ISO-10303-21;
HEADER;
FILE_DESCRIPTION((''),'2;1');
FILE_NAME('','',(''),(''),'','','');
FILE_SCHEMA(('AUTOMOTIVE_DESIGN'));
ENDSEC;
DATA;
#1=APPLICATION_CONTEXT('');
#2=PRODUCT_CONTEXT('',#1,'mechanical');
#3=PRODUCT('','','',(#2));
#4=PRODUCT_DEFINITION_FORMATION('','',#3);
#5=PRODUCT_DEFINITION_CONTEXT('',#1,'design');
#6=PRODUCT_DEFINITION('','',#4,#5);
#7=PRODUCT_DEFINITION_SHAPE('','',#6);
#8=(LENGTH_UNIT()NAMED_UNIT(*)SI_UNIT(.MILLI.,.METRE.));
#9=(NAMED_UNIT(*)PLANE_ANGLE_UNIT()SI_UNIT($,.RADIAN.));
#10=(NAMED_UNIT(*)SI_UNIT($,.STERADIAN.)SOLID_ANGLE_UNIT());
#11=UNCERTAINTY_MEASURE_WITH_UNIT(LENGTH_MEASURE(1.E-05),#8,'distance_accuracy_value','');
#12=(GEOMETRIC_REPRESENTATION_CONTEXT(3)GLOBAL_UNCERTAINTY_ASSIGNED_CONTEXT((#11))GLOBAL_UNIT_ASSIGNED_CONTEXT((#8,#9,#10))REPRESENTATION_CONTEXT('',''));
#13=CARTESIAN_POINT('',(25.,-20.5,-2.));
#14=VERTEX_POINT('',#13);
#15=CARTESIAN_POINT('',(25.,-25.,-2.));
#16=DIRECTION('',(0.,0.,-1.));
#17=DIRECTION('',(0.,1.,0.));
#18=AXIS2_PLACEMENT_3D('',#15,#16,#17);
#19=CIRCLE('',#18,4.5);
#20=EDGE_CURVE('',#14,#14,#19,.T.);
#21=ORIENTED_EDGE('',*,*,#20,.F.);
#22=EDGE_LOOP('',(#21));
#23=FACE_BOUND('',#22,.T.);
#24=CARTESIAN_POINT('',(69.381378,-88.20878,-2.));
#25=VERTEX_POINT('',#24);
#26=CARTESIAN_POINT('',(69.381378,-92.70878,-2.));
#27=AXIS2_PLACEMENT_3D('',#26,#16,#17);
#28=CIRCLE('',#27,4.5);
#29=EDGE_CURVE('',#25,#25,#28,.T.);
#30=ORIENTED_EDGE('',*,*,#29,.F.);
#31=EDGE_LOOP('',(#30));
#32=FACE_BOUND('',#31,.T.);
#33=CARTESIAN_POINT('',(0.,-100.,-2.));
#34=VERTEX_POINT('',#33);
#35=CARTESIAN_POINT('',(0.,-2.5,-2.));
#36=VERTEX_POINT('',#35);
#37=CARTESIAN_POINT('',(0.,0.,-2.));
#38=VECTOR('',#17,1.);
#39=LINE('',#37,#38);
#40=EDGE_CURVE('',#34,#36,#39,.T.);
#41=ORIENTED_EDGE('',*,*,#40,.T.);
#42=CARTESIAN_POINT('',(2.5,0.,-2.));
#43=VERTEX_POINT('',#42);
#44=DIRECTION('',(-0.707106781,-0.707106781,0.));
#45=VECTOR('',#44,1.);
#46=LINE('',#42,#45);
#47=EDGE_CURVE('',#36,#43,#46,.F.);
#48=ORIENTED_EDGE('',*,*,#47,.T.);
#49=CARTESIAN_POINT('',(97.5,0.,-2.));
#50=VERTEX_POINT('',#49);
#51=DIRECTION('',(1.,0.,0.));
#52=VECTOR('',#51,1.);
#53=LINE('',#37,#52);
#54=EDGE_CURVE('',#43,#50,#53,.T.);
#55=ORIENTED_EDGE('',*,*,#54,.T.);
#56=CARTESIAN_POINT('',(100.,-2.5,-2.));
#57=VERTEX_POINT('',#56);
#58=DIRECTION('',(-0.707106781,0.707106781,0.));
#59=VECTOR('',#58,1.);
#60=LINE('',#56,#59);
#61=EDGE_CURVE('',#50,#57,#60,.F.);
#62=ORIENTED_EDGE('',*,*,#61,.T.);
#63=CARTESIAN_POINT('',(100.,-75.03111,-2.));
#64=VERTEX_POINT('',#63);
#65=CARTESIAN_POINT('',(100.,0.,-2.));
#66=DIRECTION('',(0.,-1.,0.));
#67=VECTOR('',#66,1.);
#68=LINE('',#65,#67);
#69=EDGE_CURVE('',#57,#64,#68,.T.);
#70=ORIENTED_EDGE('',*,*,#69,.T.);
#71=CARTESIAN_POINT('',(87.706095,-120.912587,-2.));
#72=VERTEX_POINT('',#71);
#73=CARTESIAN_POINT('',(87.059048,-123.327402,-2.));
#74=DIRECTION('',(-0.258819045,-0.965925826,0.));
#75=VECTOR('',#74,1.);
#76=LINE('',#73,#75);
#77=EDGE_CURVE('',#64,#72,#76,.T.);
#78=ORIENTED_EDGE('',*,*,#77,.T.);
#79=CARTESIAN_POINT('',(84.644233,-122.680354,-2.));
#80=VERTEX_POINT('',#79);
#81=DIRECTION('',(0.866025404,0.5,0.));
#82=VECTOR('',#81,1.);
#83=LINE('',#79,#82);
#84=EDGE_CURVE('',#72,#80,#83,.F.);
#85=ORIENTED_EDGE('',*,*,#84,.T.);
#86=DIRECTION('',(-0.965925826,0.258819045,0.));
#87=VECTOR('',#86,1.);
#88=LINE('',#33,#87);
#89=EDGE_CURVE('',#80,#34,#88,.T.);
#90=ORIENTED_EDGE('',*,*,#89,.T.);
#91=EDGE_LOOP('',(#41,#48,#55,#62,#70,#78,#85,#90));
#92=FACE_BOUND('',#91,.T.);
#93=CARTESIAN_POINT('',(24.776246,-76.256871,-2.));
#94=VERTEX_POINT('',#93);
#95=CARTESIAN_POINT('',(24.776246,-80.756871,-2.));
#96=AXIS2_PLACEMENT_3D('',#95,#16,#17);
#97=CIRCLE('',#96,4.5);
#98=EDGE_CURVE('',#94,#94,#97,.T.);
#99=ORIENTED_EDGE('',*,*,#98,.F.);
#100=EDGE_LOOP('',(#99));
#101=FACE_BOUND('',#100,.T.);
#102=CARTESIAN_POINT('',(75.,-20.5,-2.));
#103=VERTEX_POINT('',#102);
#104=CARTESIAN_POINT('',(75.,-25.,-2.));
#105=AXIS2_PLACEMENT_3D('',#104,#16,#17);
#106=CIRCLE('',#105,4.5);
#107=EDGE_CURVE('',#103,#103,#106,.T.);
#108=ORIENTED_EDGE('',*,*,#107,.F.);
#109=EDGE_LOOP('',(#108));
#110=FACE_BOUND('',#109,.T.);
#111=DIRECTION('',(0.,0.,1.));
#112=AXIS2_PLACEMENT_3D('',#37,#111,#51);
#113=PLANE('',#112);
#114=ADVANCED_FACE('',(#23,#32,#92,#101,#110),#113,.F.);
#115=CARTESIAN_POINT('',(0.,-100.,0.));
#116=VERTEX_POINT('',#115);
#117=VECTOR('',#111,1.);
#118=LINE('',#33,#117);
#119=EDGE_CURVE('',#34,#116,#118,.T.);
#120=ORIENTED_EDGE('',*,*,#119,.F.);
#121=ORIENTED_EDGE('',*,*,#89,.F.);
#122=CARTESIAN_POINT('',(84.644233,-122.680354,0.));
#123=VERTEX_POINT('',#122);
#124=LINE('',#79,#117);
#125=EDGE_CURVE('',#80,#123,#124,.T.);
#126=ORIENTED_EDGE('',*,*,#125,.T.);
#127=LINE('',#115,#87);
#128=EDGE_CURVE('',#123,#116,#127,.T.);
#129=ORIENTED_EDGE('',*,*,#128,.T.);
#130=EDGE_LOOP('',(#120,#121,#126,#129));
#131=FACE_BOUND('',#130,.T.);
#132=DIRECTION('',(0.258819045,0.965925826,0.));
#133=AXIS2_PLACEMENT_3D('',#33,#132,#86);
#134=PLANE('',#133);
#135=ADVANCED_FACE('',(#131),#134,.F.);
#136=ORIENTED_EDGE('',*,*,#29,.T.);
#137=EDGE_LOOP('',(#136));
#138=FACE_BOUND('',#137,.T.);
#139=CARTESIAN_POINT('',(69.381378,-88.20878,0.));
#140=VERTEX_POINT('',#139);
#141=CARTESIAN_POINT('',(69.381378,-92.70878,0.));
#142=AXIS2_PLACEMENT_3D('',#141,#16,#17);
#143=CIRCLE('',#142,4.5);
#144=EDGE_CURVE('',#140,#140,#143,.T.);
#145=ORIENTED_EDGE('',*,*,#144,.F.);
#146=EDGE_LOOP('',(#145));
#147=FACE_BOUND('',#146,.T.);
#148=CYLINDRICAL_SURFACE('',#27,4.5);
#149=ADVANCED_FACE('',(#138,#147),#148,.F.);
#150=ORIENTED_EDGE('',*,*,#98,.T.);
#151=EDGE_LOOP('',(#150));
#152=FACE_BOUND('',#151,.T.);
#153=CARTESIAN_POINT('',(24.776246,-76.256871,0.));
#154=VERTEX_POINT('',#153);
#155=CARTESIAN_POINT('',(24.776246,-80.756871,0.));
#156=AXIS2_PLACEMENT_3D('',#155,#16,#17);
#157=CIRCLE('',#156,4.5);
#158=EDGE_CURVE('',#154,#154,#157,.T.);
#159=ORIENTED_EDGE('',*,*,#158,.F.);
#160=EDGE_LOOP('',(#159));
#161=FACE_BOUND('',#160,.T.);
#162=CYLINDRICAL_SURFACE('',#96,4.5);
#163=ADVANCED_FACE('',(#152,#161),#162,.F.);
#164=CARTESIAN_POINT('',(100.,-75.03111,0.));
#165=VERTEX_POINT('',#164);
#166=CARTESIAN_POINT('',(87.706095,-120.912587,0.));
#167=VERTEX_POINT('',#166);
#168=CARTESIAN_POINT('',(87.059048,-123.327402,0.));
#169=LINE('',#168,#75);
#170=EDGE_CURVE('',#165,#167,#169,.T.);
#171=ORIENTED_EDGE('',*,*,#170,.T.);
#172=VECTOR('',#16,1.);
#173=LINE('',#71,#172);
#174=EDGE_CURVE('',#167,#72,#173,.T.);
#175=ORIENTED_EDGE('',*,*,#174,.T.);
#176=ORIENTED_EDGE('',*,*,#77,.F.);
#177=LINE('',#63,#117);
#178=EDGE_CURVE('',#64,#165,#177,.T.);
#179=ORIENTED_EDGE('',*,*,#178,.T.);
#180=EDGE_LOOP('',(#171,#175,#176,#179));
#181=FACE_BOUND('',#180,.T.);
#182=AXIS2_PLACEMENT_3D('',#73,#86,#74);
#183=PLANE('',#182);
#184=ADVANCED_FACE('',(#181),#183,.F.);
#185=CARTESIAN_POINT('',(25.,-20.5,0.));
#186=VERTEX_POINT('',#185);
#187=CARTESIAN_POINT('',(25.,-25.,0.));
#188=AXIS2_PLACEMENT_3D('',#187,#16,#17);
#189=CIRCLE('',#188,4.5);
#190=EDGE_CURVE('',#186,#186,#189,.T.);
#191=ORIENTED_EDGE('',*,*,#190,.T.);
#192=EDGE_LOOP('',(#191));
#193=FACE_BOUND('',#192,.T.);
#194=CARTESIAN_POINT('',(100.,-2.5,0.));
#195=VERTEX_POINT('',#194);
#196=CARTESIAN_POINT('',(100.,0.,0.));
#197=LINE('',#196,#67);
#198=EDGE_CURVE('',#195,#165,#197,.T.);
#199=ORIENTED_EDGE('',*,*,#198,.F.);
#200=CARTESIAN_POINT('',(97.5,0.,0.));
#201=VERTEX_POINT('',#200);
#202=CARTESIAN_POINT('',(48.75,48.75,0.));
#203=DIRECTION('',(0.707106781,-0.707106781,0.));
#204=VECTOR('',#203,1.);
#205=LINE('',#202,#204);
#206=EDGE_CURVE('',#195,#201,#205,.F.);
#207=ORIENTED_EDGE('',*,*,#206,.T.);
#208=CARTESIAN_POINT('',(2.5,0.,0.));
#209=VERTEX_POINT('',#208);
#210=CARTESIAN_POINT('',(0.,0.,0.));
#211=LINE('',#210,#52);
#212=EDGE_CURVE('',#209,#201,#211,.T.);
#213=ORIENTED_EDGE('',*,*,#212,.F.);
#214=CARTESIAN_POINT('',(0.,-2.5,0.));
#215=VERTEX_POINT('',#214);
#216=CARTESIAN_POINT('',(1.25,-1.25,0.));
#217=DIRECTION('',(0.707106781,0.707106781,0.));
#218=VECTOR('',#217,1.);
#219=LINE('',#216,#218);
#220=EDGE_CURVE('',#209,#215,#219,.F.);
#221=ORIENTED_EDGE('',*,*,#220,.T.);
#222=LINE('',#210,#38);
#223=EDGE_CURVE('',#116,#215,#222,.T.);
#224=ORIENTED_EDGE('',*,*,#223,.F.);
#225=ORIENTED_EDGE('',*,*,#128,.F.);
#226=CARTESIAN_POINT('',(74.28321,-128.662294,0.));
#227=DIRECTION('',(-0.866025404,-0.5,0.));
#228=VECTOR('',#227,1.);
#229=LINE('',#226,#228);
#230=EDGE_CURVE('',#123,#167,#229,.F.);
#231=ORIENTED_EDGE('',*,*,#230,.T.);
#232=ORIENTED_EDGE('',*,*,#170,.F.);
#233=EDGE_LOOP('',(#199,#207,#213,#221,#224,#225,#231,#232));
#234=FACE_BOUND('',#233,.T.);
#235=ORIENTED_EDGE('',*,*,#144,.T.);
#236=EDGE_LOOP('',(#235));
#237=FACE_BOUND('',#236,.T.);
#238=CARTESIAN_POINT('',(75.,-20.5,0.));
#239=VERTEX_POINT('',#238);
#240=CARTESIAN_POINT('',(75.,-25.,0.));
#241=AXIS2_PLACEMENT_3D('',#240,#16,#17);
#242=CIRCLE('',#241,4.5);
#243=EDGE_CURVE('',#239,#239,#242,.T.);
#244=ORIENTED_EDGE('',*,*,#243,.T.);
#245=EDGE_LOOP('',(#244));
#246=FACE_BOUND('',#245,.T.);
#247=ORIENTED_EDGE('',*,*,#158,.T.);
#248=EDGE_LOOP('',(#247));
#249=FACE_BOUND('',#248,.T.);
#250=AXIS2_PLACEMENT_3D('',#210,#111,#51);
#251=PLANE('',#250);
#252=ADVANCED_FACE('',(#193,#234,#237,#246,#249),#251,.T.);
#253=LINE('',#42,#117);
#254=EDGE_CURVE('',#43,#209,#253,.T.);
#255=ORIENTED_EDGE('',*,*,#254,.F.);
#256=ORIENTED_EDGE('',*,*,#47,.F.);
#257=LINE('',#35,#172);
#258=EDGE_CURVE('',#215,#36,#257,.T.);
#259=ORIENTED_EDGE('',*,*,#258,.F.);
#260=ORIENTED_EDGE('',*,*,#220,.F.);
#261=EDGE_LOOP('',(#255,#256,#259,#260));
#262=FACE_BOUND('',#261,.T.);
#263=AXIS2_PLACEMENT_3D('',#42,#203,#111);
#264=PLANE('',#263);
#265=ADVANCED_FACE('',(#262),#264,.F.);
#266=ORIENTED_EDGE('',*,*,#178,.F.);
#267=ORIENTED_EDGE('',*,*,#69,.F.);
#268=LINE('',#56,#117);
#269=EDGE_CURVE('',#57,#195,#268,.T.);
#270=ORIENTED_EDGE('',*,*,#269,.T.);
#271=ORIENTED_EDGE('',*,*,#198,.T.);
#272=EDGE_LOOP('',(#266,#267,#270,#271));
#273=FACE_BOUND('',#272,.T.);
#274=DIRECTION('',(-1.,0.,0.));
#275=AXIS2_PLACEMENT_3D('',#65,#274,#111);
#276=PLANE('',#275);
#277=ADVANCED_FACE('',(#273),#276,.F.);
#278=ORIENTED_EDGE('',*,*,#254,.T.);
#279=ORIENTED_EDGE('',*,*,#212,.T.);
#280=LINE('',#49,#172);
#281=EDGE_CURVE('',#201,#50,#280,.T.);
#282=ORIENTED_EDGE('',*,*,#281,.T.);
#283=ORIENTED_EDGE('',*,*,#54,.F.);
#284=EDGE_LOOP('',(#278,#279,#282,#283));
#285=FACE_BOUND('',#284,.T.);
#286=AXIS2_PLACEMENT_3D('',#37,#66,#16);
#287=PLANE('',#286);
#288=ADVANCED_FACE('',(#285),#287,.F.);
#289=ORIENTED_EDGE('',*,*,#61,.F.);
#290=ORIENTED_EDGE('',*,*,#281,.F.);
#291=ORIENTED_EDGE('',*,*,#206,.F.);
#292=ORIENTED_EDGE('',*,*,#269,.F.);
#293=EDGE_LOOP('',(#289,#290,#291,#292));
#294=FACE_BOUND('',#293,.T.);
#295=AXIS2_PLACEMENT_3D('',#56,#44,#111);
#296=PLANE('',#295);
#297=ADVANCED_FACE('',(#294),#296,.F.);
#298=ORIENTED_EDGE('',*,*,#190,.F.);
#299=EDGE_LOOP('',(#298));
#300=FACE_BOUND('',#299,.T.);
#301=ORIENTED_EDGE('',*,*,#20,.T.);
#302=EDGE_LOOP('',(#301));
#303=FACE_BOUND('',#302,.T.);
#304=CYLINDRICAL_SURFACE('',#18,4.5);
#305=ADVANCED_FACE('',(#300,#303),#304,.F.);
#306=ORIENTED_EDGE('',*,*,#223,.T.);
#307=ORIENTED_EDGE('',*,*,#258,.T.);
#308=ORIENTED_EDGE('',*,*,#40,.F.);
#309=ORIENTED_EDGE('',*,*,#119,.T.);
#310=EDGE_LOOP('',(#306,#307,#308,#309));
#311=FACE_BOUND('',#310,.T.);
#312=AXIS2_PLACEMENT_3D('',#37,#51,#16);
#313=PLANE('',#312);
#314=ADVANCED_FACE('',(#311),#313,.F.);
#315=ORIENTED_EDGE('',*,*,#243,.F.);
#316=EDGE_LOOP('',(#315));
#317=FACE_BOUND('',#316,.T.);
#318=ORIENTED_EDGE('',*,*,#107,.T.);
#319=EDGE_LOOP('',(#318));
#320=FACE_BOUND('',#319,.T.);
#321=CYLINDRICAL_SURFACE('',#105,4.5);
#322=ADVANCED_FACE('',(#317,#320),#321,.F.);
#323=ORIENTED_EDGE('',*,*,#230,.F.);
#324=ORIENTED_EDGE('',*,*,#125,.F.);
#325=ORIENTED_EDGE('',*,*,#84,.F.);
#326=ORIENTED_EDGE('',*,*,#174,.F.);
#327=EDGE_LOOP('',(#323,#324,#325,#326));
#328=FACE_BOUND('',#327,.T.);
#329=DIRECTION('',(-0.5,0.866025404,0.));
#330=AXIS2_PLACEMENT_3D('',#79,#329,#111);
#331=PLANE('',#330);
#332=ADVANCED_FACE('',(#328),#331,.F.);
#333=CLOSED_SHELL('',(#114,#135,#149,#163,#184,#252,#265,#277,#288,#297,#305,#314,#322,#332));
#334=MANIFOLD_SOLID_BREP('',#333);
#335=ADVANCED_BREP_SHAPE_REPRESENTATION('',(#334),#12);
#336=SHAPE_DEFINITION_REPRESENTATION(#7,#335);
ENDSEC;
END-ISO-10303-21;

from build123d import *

# Parameters (mm, degrees)
EXTRUDE_1_DEPTH   = 2
HOLE_WIZARD_M81_D = 9
CHAMFER_1_SIZE    = 2.5


with BuildPart() as part:
    # Эскиз3 → Бобышка-Вытянуть1 (new body)
    with BuildSketch(Plane(origin=(0, 0, 0), x_dir=(1, 0, 0), z_dir=(0, 0, -1))):
        Polygon((0, 0), (100, 0), (100, 75.031110223), (87.059047745, 123.327401537), (0, 100), align=None)
    extrude(amount=EXTRUDE_1_DEPTH)

    # Отверстие с зазором M81 (through all)
    with Locations(Plane(origin=(0, 0, -2), x_dir=(1, 0, 0), z_dir=(0, 0, -1))):
        with Locations((75, 25), (24.776246401, 80.756870704), (69.381378215, 92.708779752), (25, 25)):
            Hole(HOLE_WIZARD_M81_D / 2)

    # Фаска1
    chamfer_1_edges = [part.edges().sort_by_distance(p)[0] for p in [
        (87.059047745, -123.327401537, -1),
        (100, 0, -1),
        (0, 0, -1),
    ]]
    chamfer(chamfer_1_edges, length=CHAMFER_1_SIZE)


solid = part.part
